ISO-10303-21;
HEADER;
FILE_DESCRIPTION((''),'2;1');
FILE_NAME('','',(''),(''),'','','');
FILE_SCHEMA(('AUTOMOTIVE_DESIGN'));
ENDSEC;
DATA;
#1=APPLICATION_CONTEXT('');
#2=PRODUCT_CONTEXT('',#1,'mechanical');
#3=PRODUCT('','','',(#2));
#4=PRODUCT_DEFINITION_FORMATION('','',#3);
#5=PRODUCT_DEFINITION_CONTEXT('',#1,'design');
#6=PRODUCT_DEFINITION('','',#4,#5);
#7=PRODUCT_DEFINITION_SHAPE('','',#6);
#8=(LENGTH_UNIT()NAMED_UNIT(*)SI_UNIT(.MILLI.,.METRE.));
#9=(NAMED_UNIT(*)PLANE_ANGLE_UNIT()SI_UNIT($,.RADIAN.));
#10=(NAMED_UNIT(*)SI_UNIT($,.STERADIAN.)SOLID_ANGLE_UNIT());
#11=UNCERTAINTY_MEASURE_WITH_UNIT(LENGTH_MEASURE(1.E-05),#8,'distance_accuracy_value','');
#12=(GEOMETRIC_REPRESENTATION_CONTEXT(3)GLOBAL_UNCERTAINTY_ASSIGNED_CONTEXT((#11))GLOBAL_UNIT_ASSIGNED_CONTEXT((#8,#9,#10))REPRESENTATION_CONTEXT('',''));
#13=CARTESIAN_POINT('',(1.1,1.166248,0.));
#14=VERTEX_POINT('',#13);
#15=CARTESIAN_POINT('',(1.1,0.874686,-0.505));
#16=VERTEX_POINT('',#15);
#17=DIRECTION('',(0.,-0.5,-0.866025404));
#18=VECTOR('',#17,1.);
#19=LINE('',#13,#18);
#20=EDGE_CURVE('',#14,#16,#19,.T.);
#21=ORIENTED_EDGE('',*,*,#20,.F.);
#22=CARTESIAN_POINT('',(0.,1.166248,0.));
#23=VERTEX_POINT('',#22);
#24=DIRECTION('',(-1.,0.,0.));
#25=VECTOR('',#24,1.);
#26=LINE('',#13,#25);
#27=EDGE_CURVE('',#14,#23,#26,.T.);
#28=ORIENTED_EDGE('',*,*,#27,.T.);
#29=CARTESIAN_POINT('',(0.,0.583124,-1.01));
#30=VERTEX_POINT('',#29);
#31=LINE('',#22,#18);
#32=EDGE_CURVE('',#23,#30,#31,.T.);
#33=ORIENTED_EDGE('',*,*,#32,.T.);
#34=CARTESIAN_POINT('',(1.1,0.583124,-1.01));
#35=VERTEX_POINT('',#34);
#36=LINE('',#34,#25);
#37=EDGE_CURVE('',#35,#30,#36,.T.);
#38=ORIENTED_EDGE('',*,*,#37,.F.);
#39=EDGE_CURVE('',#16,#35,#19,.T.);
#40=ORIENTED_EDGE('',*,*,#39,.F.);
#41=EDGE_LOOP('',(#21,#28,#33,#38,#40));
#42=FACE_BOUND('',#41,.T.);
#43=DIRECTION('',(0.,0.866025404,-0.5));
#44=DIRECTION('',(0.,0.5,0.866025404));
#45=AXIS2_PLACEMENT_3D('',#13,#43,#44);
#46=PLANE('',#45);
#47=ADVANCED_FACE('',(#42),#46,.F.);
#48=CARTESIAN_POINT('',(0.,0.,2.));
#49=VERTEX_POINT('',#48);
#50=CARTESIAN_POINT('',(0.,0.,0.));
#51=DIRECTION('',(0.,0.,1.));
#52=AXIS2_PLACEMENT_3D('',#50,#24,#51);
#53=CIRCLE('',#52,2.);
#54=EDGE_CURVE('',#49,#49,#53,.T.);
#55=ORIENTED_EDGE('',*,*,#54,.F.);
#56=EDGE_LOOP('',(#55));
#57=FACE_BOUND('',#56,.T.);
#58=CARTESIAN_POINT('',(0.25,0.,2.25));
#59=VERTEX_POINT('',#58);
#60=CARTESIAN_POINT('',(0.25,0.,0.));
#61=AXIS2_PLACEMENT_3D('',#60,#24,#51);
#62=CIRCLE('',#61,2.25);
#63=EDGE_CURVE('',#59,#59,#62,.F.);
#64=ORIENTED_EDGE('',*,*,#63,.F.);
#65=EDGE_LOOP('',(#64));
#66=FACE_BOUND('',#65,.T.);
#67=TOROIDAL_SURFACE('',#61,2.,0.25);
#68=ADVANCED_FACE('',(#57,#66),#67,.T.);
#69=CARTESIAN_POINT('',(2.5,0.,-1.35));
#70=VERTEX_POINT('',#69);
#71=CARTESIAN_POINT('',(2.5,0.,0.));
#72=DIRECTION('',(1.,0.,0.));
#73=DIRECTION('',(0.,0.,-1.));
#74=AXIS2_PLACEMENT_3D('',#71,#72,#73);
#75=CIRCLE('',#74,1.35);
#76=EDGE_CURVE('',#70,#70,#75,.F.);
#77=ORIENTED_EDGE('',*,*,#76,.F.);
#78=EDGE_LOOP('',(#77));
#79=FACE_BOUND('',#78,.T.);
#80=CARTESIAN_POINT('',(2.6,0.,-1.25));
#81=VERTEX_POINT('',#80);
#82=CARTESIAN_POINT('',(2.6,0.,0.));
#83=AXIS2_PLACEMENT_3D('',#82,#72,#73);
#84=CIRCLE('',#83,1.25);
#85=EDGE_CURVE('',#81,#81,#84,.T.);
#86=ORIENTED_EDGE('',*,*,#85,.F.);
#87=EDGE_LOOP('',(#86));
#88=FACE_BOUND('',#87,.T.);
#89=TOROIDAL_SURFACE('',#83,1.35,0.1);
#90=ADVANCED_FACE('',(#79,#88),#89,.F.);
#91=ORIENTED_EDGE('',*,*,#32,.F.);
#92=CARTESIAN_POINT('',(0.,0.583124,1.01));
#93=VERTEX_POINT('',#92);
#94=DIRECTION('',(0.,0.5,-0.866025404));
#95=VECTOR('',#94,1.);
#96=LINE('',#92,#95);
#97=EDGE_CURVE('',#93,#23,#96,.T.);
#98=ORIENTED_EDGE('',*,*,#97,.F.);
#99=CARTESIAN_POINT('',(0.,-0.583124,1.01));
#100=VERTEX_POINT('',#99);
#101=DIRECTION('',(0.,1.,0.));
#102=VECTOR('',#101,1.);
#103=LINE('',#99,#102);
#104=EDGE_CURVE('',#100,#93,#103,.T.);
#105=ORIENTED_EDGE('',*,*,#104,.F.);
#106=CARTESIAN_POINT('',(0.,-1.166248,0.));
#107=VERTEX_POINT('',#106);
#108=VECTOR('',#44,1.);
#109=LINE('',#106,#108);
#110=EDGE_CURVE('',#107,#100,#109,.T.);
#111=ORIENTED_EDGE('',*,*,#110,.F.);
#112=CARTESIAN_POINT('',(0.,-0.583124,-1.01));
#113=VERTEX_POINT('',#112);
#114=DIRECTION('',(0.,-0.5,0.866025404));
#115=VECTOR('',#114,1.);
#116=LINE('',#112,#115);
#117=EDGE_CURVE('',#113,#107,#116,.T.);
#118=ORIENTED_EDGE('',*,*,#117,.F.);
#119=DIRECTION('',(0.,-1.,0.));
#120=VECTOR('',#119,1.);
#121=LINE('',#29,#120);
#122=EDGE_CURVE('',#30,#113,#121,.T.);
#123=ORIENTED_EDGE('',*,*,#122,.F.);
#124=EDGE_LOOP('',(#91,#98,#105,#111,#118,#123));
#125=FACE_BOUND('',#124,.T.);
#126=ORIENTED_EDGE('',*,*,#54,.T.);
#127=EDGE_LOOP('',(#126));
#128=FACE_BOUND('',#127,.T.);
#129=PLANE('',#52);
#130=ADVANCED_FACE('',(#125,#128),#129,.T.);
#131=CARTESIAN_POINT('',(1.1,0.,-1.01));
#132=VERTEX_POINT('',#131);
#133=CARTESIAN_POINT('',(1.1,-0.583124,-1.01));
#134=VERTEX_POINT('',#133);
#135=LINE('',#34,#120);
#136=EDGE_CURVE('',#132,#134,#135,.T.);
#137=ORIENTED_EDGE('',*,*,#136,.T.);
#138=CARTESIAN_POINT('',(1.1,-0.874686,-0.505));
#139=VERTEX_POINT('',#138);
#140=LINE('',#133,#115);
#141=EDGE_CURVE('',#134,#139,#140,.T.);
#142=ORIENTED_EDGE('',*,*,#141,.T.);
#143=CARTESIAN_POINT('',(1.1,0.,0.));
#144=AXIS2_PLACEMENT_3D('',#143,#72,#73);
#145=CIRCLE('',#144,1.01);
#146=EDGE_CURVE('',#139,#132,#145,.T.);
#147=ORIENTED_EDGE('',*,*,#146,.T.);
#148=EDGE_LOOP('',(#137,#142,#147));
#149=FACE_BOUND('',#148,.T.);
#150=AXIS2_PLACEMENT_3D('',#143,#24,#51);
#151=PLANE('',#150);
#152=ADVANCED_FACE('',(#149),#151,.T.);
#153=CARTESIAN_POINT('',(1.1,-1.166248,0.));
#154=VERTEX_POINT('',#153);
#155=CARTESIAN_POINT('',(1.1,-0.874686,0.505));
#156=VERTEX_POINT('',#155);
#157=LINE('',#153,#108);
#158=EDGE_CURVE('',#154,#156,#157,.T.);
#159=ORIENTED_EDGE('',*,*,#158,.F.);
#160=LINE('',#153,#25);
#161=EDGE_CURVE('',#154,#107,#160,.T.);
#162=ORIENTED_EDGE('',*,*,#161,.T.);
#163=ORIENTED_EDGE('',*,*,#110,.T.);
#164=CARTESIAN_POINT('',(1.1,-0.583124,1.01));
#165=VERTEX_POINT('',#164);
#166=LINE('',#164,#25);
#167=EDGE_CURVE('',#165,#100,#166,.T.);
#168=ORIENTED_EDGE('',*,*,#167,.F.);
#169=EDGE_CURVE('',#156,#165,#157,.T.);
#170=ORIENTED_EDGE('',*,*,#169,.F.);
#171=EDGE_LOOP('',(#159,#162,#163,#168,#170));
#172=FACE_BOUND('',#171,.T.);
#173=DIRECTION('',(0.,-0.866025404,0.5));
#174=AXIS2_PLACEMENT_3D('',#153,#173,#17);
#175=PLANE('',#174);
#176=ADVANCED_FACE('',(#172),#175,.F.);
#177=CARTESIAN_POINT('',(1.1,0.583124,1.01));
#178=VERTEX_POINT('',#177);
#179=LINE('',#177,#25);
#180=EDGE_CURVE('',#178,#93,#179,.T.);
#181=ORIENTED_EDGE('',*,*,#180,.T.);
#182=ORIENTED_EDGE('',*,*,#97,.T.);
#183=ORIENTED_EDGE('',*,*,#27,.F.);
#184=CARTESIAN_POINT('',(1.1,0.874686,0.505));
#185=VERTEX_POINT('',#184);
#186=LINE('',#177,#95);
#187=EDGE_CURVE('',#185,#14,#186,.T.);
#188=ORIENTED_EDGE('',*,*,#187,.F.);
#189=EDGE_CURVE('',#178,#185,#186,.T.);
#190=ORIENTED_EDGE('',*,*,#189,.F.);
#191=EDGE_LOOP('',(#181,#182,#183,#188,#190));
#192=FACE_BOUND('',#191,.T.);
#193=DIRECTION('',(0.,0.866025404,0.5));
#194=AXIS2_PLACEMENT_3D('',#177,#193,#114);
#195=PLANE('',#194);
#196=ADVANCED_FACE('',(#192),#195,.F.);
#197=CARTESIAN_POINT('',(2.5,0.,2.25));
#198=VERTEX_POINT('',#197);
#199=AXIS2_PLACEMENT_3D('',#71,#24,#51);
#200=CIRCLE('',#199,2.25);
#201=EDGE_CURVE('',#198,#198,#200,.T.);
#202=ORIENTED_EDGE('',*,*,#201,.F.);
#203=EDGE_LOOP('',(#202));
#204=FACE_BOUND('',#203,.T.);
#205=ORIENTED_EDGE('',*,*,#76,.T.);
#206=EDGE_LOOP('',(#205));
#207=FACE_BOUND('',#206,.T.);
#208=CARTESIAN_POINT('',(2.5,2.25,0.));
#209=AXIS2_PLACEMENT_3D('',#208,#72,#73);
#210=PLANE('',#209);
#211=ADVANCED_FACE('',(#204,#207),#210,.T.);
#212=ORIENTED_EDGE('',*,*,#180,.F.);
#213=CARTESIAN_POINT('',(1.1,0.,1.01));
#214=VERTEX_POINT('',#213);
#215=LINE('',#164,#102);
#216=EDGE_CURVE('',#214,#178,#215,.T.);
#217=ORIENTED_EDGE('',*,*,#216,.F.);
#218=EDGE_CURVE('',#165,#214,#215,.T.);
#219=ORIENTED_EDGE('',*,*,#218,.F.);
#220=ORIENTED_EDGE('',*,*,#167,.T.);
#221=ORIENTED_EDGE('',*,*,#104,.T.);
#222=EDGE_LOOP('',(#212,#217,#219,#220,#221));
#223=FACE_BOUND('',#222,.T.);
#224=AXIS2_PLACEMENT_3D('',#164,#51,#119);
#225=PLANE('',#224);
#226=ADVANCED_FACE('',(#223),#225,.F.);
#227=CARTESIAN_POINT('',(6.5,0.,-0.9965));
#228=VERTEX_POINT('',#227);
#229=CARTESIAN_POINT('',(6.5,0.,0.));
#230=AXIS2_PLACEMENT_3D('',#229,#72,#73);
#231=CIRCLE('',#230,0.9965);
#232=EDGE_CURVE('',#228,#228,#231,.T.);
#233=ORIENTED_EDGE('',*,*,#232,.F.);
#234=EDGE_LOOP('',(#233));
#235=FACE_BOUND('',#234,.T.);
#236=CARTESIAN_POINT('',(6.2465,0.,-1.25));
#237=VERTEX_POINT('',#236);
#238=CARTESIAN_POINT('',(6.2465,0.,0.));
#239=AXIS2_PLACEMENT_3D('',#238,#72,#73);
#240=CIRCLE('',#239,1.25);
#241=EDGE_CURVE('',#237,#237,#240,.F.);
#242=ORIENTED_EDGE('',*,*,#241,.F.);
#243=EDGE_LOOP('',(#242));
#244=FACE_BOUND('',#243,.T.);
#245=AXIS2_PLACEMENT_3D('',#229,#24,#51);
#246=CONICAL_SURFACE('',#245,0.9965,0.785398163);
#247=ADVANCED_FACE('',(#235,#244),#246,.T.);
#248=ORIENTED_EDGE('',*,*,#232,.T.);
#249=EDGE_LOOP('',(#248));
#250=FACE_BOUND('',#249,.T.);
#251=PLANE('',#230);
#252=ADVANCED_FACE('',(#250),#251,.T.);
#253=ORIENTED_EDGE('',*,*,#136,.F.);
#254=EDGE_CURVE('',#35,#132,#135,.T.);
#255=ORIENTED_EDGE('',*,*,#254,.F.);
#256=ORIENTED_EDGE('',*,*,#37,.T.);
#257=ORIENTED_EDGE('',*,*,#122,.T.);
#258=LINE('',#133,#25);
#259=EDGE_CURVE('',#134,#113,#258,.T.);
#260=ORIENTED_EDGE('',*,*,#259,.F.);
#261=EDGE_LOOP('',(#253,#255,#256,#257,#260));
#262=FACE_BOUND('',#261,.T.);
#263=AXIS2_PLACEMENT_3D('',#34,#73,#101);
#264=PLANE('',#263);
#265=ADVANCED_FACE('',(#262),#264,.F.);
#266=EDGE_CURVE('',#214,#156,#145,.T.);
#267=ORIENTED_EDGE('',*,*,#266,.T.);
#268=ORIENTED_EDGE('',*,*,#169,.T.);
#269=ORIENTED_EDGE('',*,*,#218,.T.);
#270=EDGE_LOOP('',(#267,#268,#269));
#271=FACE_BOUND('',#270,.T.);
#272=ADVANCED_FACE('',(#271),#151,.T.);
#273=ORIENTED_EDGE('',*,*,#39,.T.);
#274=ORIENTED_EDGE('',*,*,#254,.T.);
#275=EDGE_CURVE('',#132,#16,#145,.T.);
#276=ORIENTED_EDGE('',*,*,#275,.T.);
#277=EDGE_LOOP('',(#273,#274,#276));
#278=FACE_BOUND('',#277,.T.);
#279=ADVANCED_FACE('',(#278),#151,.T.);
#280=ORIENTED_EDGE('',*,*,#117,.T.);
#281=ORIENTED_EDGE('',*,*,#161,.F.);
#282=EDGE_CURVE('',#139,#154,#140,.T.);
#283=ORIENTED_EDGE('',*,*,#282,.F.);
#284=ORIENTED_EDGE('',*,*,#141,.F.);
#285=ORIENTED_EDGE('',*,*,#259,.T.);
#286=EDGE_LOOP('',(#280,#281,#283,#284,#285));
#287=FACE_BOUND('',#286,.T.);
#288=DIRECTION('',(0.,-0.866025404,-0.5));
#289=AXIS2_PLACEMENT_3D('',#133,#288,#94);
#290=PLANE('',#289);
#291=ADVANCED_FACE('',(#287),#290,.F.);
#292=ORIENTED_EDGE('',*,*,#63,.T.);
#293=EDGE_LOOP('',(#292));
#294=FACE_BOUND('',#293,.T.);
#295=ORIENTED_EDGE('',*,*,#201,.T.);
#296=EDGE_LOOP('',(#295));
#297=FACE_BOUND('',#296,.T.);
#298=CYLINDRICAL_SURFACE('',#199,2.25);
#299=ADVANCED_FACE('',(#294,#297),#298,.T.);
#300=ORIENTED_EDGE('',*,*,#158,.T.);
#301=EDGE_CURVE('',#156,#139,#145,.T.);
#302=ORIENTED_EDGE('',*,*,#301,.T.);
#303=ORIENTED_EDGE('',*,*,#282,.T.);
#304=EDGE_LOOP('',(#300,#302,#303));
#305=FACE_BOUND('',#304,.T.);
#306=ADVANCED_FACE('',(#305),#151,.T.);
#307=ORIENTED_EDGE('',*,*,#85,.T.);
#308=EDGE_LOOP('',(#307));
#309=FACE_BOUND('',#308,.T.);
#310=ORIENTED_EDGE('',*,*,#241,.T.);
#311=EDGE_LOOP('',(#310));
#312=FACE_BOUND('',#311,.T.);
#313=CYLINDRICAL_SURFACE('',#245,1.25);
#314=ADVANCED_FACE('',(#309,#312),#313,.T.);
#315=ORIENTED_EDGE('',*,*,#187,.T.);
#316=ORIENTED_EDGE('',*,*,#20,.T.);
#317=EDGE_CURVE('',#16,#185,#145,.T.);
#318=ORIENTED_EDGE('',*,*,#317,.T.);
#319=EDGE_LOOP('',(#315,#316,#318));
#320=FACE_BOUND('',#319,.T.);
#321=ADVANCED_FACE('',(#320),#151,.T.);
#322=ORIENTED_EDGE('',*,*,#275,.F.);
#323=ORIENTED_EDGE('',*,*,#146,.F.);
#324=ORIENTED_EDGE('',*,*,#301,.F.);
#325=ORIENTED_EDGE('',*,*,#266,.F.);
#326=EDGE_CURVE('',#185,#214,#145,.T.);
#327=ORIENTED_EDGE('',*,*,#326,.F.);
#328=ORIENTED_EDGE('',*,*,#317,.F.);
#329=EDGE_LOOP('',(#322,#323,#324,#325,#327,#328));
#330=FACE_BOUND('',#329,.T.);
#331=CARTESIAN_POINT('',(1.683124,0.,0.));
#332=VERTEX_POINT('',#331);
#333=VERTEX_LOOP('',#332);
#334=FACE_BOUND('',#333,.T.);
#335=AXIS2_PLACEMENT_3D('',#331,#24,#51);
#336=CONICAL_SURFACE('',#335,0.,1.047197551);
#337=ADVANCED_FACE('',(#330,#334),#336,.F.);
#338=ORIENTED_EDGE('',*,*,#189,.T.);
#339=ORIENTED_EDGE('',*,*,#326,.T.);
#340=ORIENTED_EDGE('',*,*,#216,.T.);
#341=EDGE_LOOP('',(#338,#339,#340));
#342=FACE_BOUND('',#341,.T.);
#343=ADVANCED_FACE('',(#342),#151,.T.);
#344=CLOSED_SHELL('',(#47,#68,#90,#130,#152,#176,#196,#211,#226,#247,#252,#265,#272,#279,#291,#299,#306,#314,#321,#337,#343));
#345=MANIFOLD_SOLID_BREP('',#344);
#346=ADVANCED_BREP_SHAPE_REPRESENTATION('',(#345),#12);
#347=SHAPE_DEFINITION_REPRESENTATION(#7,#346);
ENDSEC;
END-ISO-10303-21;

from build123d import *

# Parameters (mm, degrees)
SKETCH_1_W          = 2.5
SKETCH_1_H          = 2.25
SKETCH_2_R          = 1.25
EXTRUDE_1_DEPTH     = 4
CUT_EXTRUDE_1_DEPTH = 1.1
CHAMFER_1_SIZE      = 0.2535
FILLET_1_R          = 0.1
FILLET_2_R          = 0.25


with BuildPart() as part:
    # Эскиз1 → Повернуть1 (revolve)
    with BuildSketch(Plane(origin=(0, 0, 0), x_dir=(-1, 0, 0), z_dir=(0, 0, -1)), mode=Mode.PRIVATE) as revolve_1_sk:
        with Locations((-1.25, 1.125)):
            Rectangle(SKETCH_1_W, SKETCH_1_H)
    revolve(revolve_1_sk.sketch.rotate(Axis((2.5, 0, 0), (-1, 0, 0)), 270), axis=Axis((2.5, 0, 0), (-1, 0, 0)))

    # Эскиз2 → Бобышка-Вытянуть1 (add)
    with BuildSketch(Plane(origin=(2.5, 0, 0), x_dir=(0, 0, -1), z_dir=(1, 0, 0))):
        Circle(SKETCH_2_R)
    extrude(amount=EXTRUDE_1_DEPTH)

    # Эскиз3 → Вырез-Вытянуть1 (cut)
    with BuildSketch(Plane.ZY):
        Polygon((-1.01, -0.583123772), (0, -1.166247544), (1.01, -0.583123772), (1.01, 0.583123772), (0, 1.166247544), (-1.01, 0.583123772), align=None)
    extrude(amount=-CUT_EXTRUDE_1_DEPTH, mode=Mode.SUBTRACT)

    # Эскиз4 → Вырез-Повернуть1 (revolve, cut)
    with BuildSketch(Plane.XY, mode=Mode.PRIVATE) as cut_revolve_1_sk:
        Polygon((1.1, 1.01), (1.1, 0), (1.683123772, 0), align=None)
    revolve(cut_revolve_1_sk.sketch.rotate(Axis((1.099975, 0, 0), (1, 0, 0)), 90), axis=Axis((1.099975, 0, 0), (1, 0, 0)), mode=Mode.SUBTRACT)

    # Фаска1
    chamfer_1_edges = [part.edges().sort_by_distance(p)[0] for p in [
        (6.5, 0, 1.25),
    ]]
    chamfer(chamfer_1_edges, length=CHAMFER_1_SIZE)

    # Скругление1
    fillet_1_edges = [part.edges().sort_by_distance(p)[0] for p in [
        (2.5, 0, 1.25),
    ]]
    fillet(fillet_1_edges, radius=FILLET_1_R)

    # Скругление2
    fillet_2_edges = [part.edges().sort_by_distance(p)[0] for p in [
        (0, 0, -2.25),
    ]]
    fillet(fillet_2_edges, radius=FILLET_2_R)


solid = part.part
